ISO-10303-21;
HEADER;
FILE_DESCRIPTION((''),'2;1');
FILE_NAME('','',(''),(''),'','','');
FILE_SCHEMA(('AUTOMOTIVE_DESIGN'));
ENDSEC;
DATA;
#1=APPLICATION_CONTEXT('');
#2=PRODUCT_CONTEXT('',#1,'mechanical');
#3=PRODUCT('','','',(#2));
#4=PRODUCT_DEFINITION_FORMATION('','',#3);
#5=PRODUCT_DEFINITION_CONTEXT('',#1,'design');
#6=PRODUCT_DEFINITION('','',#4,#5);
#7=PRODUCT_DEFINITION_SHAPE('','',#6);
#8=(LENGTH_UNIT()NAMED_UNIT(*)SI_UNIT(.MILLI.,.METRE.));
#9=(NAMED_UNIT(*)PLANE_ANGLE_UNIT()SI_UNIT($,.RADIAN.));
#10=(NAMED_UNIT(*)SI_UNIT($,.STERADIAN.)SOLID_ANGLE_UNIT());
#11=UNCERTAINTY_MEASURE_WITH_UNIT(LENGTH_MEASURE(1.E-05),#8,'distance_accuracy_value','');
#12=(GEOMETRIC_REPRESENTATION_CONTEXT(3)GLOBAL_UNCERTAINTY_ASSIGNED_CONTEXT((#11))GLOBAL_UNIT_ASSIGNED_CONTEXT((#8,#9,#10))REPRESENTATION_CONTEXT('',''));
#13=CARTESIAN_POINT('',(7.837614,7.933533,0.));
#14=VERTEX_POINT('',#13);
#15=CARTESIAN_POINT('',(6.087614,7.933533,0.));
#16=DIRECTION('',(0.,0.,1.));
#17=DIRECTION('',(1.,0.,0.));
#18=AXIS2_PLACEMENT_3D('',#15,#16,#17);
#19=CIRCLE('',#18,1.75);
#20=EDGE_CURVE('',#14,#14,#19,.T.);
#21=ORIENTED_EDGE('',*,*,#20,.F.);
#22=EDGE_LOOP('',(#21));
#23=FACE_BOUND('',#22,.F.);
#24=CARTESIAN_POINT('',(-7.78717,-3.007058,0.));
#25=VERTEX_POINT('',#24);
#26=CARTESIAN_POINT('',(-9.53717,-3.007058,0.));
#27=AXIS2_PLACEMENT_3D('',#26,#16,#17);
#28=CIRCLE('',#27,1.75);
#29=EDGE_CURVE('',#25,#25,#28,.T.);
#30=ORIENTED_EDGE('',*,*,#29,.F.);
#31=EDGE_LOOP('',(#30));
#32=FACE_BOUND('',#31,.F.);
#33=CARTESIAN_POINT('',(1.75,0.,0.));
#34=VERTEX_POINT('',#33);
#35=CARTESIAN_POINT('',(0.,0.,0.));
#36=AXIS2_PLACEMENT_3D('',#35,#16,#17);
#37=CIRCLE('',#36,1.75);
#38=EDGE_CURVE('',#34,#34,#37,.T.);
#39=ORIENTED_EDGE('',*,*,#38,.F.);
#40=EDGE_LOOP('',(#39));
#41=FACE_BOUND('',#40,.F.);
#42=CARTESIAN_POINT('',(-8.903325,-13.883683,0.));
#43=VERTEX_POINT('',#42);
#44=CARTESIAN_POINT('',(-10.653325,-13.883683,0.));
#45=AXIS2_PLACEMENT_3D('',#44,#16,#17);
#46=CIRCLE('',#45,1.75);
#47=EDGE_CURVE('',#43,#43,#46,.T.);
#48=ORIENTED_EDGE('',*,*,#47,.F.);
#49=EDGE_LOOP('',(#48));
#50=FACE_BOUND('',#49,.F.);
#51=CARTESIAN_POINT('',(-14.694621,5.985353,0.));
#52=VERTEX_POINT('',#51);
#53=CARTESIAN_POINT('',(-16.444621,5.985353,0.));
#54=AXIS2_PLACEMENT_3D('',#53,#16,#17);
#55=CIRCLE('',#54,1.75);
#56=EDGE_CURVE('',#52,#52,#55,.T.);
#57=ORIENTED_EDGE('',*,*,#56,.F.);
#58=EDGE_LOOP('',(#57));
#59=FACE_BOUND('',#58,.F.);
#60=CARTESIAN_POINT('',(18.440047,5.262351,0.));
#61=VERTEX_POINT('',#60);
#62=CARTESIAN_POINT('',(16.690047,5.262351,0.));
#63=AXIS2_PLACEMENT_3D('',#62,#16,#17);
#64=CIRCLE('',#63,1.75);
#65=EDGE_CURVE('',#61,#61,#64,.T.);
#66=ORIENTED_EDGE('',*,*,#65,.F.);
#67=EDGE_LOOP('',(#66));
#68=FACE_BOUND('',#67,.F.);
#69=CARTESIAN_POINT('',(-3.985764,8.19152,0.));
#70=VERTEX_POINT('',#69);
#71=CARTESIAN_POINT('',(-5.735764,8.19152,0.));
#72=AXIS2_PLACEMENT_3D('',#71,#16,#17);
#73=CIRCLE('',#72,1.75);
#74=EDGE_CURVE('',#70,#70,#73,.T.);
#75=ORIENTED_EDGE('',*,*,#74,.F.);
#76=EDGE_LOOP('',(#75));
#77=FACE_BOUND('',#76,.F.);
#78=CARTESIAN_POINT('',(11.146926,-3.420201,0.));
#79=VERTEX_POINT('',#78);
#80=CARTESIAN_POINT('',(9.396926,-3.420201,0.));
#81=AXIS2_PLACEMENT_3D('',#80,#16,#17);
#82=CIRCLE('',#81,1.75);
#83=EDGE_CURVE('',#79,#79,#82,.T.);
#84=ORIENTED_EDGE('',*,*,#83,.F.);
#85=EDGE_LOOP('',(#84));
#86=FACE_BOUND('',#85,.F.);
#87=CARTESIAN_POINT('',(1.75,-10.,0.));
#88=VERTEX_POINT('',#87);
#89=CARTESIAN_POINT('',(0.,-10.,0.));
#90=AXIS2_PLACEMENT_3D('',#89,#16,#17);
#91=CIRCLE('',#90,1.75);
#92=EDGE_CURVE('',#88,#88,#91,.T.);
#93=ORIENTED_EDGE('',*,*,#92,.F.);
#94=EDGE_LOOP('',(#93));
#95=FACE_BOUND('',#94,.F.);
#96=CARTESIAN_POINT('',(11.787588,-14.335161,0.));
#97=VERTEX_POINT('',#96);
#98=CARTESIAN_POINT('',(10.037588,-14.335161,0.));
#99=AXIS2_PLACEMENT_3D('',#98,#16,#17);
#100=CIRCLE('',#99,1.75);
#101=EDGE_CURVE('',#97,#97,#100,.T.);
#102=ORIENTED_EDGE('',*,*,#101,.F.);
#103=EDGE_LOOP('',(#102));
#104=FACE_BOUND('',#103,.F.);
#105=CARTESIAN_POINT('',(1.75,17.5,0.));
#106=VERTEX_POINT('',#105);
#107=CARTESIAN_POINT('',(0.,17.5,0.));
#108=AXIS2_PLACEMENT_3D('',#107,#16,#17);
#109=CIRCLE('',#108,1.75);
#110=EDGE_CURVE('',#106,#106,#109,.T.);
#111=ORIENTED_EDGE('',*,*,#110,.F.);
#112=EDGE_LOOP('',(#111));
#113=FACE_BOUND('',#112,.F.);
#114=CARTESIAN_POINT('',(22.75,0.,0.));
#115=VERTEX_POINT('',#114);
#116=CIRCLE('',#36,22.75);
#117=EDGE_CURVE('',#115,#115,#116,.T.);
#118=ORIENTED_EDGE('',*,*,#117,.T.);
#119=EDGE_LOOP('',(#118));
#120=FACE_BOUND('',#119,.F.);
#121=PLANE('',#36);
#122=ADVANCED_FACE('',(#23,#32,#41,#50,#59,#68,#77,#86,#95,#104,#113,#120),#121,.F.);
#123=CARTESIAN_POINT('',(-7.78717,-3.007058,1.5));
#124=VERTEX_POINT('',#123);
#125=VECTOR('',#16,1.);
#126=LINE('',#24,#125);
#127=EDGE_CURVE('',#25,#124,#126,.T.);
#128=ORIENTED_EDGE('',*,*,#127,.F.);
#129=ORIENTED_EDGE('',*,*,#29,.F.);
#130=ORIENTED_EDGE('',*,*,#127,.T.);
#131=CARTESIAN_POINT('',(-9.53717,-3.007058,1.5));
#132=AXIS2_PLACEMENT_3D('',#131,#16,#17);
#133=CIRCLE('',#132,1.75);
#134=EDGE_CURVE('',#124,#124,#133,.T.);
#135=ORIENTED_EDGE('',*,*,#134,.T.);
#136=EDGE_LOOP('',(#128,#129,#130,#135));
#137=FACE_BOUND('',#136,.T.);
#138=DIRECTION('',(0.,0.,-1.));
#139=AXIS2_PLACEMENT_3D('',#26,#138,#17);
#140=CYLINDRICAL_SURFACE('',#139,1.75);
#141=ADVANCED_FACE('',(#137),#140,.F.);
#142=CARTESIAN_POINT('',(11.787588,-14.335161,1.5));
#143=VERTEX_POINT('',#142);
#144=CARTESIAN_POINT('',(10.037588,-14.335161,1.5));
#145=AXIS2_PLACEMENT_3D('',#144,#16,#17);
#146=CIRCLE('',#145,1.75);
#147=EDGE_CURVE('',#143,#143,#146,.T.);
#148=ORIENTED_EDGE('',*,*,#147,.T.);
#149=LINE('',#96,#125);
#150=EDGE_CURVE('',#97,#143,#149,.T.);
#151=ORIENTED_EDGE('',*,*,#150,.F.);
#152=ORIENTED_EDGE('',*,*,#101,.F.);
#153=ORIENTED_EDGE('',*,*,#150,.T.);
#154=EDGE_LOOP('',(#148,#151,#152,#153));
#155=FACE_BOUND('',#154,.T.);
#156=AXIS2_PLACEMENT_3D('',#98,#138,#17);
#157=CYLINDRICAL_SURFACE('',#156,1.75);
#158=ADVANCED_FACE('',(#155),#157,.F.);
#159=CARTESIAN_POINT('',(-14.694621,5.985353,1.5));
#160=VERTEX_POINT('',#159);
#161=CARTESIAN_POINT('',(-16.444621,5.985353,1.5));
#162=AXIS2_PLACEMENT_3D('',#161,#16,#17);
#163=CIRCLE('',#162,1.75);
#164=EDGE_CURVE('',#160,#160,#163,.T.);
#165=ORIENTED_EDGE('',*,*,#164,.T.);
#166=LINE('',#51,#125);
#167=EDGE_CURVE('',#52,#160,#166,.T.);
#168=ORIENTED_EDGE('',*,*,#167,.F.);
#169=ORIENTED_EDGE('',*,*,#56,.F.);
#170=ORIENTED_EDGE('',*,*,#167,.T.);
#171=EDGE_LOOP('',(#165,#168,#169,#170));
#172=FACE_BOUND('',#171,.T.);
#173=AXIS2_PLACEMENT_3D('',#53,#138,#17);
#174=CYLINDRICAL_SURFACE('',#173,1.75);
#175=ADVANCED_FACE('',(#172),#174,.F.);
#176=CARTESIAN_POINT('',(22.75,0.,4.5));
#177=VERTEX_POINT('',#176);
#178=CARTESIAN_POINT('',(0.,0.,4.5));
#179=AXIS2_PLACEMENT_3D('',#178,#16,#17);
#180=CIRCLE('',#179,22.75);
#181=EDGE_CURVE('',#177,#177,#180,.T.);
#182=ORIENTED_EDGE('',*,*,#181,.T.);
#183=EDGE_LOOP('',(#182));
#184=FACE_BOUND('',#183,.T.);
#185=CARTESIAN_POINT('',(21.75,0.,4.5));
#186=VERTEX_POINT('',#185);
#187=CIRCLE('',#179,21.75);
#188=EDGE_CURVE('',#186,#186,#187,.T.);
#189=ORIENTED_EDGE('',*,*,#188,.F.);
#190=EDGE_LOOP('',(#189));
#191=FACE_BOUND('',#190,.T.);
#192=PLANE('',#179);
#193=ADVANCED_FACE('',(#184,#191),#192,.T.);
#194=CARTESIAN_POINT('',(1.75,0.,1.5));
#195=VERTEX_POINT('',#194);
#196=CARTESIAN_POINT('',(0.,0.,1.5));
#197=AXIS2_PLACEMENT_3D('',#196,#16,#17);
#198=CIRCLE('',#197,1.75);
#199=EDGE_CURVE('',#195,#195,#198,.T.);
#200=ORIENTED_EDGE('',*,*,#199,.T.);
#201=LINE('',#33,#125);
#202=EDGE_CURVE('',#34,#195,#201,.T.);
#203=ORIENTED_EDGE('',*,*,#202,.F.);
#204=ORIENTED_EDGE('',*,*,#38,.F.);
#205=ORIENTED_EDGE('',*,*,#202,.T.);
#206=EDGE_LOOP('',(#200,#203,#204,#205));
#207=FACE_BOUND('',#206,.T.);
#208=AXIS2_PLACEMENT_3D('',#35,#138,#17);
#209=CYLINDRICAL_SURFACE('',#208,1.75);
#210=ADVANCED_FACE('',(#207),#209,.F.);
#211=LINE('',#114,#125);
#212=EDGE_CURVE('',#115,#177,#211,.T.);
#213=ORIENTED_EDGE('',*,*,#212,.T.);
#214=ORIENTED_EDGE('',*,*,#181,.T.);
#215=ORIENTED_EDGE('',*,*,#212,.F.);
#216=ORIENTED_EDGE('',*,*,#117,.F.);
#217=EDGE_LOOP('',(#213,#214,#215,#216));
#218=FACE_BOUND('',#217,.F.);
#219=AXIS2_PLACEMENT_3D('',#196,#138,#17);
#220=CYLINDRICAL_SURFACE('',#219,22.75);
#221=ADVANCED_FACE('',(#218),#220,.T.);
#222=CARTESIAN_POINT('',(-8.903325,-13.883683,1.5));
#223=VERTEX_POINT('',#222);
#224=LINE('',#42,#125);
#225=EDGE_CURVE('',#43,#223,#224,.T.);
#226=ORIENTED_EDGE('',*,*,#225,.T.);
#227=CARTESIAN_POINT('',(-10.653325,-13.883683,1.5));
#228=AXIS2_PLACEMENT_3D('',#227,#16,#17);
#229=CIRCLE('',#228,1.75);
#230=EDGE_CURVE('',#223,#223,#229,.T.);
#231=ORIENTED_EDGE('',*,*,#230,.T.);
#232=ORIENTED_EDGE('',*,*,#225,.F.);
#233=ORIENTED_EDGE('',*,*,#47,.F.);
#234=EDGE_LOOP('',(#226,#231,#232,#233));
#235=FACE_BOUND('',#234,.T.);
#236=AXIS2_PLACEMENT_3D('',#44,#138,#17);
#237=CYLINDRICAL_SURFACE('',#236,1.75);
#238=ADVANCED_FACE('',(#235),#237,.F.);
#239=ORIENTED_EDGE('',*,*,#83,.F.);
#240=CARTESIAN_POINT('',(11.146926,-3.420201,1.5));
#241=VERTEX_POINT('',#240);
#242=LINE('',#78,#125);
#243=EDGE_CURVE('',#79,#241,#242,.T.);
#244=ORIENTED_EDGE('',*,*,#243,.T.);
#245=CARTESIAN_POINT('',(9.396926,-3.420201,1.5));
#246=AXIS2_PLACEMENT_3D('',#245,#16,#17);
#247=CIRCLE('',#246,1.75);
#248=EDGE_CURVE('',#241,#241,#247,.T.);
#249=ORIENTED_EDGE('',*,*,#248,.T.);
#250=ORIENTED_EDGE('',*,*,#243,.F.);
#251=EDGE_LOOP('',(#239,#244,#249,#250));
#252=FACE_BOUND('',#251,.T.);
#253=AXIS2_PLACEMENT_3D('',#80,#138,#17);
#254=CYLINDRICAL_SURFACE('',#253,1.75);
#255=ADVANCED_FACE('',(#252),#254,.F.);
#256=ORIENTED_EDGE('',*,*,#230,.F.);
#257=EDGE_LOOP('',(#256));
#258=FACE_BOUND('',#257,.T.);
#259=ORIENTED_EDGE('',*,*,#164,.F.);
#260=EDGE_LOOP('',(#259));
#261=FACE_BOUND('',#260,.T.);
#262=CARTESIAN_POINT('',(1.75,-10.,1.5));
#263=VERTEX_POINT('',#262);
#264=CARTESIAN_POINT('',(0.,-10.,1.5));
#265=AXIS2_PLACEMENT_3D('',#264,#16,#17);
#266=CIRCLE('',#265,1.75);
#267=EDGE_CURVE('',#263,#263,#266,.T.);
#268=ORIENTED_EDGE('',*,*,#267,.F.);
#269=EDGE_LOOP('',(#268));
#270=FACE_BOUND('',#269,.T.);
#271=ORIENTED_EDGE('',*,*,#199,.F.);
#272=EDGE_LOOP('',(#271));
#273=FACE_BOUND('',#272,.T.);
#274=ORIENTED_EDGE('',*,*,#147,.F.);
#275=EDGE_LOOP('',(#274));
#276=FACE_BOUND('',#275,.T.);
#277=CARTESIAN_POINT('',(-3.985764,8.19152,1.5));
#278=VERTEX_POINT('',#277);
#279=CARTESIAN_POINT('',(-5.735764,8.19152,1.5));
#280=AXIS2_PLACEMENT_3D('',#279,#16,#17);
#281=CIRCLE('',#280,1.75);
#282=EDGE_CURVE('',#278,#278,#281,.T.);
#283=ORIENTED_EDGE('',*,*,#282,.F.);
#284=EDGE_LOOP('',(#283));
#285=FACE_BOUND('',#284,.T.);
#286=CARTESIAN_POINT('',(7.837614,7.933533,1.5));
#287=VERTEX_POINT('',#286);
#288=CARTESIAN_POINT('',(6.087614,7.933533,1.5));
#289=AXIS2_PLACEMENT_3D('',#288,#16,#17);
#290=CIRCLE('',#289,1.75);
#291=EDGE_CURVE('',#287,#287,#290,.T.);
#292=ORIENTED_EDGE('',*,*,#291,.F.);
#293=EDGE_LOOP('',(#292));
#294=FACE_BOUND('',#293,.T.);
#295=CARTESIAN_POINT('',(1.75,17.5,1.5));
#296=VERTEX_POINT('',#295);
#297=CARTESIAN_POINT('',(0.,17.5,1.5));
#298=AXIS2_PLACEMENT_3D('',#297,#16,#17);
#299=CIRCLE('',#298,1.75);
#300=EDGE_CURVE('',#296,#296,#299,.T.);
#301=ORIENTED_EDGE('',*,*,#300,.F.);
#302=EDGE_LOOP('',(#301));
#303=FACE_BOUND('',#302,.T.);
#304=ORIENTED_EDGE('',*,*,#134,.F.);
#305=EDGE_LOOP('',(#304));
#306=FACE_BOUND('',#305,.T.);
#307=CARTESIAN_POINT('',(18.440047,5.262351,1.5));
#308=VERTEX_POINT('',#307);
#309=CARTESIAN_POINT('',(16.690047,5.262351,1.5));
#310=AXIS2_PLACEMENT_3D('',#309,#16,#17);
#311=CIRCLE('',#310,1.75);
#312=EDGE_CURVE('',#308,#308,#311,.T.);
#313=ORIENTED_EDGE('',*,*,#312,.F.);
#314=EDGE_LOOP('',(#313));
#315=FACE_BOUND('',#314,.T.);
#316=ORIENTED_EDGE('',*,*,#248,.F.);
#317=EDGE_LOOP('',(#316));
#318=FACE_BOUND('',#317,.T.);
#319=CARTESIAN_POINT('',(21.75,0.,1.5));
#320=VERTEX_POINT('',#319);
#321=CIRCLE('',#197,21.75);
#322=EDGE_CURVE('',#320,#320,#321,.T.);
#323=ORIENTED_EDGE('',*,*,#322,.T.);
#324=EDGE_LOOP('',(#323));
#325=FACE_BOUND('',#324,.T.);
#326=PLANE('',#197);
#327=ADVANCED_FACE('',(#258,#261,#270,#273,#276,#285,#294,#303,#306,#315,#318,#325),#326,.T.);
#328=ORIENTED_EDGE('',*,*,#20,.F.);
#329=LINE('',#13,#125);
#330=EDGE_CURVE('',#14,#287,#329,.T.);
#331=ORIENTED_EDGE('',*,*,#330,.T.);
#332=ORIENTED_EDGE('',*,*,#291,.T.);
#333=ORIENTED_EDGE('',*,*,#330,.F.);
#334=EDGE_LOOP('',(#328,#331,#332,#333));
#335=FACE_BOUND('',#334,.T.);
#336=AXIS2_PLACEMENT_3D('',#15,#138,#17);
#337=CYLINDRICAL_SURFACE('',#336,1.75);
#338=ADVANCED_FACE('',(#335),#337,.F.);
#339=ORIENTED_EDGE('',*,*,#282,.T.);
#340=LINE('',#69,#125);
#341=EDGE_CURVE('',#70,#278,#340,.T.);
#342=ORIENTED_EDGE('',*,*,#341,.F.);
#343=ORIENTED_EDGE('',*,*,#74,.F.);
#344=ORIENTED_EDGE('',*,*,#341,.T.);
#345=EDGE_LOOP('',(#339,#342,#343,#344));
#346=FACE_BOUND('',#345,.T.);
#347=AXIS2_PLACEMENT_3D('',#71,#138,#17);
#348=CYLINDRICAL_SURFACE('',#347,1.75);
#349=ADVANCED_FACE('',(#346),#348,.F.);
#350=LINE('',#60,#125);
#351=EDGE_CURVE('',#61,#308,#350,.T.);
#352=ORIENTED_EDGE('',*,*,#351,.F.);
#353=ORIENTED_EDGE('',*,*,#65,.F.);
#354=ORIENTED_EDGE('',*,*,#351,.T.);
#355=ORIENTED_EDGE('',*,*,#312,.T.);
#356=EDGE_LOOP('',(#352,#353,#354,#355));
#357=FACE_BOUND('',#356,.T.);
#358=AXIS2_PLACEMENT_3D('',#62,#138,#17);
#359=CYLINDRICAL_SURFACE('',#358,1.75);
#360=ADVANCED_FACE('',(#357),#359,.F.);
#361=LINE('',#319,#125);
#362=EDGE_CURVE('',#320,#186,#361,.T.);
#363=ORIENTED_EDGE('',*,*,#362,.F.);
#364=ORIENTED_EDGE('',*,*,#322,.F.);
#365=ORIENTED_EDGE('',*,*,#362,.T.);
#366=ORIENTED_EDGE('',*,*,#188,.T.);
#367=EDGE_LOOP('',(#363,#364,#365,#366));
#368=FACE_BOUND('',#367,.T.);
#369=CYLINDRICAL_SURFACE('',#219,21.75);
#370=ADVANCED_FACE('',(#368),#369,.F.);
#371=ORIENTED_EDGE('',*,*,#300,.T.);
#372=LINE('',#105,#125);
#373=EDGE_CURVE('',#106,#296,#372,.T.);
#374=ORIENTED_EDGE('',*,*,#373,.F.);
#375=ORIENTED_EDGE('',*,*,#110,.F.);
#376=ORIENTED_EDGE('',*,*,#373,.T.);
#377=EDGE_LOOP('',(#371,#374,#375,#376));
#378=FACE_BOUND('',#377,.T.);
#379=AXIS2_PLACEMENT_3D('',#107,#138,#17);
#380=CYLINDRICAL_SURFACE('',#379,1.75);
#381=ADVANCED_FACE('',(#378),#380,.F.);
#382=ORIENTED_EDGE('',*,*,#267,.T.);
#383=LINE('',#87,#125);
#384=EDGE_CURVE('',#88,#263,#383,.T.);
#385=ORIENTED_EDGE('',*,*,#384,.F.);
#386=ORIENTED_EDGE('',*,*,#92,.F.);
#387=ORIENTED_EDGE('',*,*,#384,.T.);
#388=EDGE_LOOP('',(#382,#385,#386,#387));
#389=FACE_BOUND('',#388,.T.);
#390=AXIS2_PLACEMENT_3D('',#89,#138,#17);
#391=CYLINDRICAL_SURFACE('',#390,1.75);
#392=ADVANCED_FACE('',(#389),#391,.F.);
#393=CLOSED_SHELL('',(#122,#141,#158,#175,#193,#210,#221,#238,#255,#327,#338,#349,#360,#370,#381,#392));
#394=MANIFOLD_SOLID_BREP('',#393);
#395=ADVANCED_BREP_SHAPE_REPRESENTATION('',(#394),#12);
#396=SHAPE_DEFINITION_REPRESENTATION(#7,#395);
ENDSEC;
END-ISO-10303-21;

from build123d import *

# Parameters (mm, degrees)
F0_R     = 22.75
F0_R_2   = 1.75
F1_DEPTH = 1.5
F2_R     = 22.75
F2_R_2   = 21.75
F3_DEPTH = 3


with BuildPart() as f1:
    # F0 (on Top) → F1 (new body)
    with BuildSketch(Plane.XY):
        Circle(F0_R)
        with Locations((-10.653325, -13.883683)):
            Circle(F0_R_2, mode=Mode.SUBTRACT)
        with Locations((-9.53717, -3.007058)):
            Circle(F0_R_2, mode=Mode.SUBTRACT)
        with Locations((10.037588, -14.335161)):
            Circle(F0_R_2, mode=Mode.SUBTRACT)
        with Locations((0, -10)):
            Circle(F0_R_2, mode=Mode.SUBTRACT)
        with Locations((9.396926, -3.420201)):
            Circle(F0_R_2, mode=Mode.SUBTRACT)
        with Locations((-16.444621, 5.985353)):
            Circle(F0_R_2, mode=Mode.SUBTRACT)
        with Locations((-5.735764, 8.19152)):
            Circle(F0_R_2, mode=Mode.SUBTRACT)
        Circle(F0_R_2, mode=Mode.SUBTRACT)
        with Locations((6.087614, 7.933533)):
            Circle(F0_R_2, mode=Mode.SUBTRACT)
        with Locations((16.690047, 5.262351)):
            Circle(F0_R_2, mode=Mode.SUBTRACT)
        with Locations((0, 17.5)):
            Circle(F0_R_2, mode=Mode.SUBTRACT)
    extrude(amount=F1_DEPTH)

    # F2 (on face) → F3 (join)
    with BuildSketch(Plane.XY.offset(1.5)):
        Circle(F2_R)
        Circle(F2_R_2, mode=Mode.SUBTRACT)
    extrude(amount=F3_DEPTH)


solid = f1.part
